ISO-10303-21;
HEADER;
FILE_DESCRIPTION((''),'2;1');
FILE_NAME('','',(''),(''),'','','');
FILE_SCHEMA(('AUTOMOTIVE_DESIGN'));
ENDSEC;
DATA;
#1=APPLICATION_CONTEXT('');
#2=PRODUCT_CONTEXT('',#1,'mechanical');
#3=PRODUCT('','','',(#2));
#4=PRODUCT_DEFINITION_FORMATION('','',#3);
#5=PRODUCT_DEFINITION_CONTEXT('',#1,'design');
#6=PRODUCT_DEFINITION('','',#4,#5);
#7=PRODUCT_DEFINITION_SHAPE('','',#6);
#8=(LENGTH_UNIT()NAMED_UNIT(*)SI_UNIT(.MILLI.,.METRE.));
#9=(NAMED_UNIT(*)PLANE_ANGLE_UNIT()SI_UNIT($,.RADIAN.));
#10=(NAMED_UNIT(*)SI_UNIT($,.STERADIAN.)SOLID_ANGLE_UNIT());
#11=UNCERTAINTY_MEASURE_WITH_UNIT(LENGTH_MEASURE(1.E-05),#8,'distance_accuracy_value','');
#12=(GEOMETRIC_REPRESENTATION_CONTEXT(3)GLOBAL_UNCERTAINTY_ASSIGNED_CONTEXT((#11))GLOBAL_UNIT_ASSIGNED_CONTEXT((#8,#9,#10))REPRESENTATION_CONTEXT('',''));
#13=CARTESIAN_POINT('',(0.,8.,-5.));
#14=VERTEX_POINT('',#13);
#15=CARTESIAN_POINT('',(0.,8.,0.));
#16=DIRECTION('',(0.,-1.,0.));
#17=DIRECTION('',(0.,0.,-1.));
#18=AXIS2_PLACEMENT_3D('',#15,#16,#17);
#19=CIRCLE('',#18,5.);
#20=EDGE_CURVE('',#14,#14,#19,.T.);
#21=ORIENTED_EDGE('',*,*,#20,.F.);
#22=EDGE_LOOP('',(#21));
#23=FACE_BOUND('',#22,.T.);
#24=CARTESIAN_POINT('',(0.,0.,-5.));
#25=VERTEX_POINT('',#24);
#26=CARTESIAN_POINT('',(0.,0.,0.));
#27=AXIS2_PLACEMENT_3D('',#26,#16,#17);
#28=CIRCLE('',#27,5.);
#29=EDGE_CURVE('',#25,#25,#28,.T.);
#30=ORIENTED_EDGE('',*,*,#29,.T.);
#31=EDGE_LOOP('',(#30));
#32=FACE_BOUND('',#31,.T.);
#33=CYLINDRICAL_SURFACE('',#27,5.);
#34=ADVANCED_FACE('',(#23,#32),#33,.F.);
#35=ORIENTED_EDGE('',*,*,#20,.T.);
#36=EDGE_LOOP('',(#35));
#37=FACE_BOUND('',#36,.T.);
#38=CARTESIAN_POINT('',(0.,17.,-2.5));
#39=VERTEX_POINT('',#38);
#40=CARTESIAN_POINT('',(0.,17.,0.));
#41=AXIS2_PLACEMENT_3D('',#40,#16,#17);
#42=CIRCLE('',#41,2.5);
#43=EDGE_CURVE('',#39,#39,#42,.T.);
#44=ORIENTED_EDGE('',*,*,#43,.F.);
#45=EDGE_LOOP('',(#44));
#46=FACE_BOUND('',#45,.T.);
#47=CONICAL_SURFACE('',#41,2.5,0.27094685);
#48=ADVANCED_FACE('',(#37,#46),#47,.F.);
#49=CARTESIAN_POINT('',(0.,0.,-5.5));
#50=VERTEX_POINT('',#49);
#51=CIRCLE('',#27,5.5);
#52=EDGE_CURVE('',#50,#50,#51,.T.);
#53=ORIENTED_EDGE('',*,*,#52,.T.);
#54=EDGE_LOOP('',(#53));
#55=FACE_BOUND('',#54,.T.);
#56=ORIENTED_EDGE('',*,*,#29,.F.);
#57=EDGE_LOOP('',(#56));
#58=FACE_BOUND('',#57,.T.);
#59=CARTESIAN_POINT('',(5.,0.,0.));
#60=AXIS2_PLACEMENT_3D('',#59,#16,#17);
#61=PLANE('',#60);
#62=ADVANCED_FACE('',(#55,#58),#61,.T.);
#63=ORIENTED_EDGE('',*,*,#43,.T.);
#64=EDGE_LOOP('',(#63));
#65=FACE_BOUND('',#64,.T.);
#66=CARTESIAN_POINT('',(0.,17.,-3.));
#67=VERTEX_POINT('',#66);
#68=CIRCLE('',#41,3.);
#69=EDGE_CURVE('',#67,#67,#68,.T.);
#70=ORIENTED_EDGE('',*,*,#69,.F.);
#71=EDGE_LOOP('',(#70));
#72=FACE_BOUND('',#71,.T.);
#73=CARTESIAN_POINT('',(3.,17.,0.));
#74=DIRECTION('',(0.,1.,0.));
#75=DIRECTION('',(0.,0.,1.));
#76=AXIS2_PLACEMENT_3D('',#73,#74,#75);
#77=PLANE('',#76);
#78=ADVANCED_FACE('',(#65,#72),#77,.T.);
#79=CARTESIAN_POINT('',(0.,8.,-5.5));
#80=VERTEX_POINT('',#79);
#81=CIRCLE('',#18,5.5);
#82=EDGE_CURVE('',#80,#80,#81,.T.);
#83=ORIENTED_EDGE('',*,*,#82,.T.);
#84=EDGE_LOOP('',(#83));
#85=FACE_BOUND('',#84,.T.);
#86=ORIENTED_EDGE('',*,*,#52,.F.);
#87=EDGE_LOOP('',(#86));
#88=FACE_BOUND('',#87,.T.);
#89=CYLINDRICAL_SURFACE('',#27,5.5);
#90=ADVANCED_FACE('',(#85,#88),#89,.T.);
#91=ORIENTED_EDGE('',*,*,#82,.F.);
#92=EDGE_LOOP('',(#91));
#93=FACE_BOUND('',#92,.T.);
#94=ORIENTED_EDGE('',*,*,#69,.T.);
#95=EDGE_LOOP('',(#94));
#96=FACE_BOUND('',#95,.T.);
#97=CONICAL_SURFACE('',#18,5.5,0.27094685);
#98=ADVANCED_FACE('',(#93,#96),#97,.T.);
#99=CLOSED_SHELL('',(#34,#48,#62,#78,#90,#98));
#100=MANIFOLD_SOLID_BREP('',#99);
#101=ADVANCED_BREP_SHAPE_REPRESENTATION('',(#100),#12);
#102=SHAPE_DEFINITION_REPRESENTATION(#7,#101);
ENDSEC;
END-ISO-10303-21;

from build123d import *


with BuildPart() as part:
    # Sketch1 → Revolve2 (revolve)
    with BuildSketch(Plane.XY):
        Polygon((5.5, 0), (5.5, 8), (3, 17), (2.5, 17), (5, 8), (5, 0), align=None)
    revolve(axis=Axis((0, 0, 0), (0, 1, 0)))


solid = part.part
